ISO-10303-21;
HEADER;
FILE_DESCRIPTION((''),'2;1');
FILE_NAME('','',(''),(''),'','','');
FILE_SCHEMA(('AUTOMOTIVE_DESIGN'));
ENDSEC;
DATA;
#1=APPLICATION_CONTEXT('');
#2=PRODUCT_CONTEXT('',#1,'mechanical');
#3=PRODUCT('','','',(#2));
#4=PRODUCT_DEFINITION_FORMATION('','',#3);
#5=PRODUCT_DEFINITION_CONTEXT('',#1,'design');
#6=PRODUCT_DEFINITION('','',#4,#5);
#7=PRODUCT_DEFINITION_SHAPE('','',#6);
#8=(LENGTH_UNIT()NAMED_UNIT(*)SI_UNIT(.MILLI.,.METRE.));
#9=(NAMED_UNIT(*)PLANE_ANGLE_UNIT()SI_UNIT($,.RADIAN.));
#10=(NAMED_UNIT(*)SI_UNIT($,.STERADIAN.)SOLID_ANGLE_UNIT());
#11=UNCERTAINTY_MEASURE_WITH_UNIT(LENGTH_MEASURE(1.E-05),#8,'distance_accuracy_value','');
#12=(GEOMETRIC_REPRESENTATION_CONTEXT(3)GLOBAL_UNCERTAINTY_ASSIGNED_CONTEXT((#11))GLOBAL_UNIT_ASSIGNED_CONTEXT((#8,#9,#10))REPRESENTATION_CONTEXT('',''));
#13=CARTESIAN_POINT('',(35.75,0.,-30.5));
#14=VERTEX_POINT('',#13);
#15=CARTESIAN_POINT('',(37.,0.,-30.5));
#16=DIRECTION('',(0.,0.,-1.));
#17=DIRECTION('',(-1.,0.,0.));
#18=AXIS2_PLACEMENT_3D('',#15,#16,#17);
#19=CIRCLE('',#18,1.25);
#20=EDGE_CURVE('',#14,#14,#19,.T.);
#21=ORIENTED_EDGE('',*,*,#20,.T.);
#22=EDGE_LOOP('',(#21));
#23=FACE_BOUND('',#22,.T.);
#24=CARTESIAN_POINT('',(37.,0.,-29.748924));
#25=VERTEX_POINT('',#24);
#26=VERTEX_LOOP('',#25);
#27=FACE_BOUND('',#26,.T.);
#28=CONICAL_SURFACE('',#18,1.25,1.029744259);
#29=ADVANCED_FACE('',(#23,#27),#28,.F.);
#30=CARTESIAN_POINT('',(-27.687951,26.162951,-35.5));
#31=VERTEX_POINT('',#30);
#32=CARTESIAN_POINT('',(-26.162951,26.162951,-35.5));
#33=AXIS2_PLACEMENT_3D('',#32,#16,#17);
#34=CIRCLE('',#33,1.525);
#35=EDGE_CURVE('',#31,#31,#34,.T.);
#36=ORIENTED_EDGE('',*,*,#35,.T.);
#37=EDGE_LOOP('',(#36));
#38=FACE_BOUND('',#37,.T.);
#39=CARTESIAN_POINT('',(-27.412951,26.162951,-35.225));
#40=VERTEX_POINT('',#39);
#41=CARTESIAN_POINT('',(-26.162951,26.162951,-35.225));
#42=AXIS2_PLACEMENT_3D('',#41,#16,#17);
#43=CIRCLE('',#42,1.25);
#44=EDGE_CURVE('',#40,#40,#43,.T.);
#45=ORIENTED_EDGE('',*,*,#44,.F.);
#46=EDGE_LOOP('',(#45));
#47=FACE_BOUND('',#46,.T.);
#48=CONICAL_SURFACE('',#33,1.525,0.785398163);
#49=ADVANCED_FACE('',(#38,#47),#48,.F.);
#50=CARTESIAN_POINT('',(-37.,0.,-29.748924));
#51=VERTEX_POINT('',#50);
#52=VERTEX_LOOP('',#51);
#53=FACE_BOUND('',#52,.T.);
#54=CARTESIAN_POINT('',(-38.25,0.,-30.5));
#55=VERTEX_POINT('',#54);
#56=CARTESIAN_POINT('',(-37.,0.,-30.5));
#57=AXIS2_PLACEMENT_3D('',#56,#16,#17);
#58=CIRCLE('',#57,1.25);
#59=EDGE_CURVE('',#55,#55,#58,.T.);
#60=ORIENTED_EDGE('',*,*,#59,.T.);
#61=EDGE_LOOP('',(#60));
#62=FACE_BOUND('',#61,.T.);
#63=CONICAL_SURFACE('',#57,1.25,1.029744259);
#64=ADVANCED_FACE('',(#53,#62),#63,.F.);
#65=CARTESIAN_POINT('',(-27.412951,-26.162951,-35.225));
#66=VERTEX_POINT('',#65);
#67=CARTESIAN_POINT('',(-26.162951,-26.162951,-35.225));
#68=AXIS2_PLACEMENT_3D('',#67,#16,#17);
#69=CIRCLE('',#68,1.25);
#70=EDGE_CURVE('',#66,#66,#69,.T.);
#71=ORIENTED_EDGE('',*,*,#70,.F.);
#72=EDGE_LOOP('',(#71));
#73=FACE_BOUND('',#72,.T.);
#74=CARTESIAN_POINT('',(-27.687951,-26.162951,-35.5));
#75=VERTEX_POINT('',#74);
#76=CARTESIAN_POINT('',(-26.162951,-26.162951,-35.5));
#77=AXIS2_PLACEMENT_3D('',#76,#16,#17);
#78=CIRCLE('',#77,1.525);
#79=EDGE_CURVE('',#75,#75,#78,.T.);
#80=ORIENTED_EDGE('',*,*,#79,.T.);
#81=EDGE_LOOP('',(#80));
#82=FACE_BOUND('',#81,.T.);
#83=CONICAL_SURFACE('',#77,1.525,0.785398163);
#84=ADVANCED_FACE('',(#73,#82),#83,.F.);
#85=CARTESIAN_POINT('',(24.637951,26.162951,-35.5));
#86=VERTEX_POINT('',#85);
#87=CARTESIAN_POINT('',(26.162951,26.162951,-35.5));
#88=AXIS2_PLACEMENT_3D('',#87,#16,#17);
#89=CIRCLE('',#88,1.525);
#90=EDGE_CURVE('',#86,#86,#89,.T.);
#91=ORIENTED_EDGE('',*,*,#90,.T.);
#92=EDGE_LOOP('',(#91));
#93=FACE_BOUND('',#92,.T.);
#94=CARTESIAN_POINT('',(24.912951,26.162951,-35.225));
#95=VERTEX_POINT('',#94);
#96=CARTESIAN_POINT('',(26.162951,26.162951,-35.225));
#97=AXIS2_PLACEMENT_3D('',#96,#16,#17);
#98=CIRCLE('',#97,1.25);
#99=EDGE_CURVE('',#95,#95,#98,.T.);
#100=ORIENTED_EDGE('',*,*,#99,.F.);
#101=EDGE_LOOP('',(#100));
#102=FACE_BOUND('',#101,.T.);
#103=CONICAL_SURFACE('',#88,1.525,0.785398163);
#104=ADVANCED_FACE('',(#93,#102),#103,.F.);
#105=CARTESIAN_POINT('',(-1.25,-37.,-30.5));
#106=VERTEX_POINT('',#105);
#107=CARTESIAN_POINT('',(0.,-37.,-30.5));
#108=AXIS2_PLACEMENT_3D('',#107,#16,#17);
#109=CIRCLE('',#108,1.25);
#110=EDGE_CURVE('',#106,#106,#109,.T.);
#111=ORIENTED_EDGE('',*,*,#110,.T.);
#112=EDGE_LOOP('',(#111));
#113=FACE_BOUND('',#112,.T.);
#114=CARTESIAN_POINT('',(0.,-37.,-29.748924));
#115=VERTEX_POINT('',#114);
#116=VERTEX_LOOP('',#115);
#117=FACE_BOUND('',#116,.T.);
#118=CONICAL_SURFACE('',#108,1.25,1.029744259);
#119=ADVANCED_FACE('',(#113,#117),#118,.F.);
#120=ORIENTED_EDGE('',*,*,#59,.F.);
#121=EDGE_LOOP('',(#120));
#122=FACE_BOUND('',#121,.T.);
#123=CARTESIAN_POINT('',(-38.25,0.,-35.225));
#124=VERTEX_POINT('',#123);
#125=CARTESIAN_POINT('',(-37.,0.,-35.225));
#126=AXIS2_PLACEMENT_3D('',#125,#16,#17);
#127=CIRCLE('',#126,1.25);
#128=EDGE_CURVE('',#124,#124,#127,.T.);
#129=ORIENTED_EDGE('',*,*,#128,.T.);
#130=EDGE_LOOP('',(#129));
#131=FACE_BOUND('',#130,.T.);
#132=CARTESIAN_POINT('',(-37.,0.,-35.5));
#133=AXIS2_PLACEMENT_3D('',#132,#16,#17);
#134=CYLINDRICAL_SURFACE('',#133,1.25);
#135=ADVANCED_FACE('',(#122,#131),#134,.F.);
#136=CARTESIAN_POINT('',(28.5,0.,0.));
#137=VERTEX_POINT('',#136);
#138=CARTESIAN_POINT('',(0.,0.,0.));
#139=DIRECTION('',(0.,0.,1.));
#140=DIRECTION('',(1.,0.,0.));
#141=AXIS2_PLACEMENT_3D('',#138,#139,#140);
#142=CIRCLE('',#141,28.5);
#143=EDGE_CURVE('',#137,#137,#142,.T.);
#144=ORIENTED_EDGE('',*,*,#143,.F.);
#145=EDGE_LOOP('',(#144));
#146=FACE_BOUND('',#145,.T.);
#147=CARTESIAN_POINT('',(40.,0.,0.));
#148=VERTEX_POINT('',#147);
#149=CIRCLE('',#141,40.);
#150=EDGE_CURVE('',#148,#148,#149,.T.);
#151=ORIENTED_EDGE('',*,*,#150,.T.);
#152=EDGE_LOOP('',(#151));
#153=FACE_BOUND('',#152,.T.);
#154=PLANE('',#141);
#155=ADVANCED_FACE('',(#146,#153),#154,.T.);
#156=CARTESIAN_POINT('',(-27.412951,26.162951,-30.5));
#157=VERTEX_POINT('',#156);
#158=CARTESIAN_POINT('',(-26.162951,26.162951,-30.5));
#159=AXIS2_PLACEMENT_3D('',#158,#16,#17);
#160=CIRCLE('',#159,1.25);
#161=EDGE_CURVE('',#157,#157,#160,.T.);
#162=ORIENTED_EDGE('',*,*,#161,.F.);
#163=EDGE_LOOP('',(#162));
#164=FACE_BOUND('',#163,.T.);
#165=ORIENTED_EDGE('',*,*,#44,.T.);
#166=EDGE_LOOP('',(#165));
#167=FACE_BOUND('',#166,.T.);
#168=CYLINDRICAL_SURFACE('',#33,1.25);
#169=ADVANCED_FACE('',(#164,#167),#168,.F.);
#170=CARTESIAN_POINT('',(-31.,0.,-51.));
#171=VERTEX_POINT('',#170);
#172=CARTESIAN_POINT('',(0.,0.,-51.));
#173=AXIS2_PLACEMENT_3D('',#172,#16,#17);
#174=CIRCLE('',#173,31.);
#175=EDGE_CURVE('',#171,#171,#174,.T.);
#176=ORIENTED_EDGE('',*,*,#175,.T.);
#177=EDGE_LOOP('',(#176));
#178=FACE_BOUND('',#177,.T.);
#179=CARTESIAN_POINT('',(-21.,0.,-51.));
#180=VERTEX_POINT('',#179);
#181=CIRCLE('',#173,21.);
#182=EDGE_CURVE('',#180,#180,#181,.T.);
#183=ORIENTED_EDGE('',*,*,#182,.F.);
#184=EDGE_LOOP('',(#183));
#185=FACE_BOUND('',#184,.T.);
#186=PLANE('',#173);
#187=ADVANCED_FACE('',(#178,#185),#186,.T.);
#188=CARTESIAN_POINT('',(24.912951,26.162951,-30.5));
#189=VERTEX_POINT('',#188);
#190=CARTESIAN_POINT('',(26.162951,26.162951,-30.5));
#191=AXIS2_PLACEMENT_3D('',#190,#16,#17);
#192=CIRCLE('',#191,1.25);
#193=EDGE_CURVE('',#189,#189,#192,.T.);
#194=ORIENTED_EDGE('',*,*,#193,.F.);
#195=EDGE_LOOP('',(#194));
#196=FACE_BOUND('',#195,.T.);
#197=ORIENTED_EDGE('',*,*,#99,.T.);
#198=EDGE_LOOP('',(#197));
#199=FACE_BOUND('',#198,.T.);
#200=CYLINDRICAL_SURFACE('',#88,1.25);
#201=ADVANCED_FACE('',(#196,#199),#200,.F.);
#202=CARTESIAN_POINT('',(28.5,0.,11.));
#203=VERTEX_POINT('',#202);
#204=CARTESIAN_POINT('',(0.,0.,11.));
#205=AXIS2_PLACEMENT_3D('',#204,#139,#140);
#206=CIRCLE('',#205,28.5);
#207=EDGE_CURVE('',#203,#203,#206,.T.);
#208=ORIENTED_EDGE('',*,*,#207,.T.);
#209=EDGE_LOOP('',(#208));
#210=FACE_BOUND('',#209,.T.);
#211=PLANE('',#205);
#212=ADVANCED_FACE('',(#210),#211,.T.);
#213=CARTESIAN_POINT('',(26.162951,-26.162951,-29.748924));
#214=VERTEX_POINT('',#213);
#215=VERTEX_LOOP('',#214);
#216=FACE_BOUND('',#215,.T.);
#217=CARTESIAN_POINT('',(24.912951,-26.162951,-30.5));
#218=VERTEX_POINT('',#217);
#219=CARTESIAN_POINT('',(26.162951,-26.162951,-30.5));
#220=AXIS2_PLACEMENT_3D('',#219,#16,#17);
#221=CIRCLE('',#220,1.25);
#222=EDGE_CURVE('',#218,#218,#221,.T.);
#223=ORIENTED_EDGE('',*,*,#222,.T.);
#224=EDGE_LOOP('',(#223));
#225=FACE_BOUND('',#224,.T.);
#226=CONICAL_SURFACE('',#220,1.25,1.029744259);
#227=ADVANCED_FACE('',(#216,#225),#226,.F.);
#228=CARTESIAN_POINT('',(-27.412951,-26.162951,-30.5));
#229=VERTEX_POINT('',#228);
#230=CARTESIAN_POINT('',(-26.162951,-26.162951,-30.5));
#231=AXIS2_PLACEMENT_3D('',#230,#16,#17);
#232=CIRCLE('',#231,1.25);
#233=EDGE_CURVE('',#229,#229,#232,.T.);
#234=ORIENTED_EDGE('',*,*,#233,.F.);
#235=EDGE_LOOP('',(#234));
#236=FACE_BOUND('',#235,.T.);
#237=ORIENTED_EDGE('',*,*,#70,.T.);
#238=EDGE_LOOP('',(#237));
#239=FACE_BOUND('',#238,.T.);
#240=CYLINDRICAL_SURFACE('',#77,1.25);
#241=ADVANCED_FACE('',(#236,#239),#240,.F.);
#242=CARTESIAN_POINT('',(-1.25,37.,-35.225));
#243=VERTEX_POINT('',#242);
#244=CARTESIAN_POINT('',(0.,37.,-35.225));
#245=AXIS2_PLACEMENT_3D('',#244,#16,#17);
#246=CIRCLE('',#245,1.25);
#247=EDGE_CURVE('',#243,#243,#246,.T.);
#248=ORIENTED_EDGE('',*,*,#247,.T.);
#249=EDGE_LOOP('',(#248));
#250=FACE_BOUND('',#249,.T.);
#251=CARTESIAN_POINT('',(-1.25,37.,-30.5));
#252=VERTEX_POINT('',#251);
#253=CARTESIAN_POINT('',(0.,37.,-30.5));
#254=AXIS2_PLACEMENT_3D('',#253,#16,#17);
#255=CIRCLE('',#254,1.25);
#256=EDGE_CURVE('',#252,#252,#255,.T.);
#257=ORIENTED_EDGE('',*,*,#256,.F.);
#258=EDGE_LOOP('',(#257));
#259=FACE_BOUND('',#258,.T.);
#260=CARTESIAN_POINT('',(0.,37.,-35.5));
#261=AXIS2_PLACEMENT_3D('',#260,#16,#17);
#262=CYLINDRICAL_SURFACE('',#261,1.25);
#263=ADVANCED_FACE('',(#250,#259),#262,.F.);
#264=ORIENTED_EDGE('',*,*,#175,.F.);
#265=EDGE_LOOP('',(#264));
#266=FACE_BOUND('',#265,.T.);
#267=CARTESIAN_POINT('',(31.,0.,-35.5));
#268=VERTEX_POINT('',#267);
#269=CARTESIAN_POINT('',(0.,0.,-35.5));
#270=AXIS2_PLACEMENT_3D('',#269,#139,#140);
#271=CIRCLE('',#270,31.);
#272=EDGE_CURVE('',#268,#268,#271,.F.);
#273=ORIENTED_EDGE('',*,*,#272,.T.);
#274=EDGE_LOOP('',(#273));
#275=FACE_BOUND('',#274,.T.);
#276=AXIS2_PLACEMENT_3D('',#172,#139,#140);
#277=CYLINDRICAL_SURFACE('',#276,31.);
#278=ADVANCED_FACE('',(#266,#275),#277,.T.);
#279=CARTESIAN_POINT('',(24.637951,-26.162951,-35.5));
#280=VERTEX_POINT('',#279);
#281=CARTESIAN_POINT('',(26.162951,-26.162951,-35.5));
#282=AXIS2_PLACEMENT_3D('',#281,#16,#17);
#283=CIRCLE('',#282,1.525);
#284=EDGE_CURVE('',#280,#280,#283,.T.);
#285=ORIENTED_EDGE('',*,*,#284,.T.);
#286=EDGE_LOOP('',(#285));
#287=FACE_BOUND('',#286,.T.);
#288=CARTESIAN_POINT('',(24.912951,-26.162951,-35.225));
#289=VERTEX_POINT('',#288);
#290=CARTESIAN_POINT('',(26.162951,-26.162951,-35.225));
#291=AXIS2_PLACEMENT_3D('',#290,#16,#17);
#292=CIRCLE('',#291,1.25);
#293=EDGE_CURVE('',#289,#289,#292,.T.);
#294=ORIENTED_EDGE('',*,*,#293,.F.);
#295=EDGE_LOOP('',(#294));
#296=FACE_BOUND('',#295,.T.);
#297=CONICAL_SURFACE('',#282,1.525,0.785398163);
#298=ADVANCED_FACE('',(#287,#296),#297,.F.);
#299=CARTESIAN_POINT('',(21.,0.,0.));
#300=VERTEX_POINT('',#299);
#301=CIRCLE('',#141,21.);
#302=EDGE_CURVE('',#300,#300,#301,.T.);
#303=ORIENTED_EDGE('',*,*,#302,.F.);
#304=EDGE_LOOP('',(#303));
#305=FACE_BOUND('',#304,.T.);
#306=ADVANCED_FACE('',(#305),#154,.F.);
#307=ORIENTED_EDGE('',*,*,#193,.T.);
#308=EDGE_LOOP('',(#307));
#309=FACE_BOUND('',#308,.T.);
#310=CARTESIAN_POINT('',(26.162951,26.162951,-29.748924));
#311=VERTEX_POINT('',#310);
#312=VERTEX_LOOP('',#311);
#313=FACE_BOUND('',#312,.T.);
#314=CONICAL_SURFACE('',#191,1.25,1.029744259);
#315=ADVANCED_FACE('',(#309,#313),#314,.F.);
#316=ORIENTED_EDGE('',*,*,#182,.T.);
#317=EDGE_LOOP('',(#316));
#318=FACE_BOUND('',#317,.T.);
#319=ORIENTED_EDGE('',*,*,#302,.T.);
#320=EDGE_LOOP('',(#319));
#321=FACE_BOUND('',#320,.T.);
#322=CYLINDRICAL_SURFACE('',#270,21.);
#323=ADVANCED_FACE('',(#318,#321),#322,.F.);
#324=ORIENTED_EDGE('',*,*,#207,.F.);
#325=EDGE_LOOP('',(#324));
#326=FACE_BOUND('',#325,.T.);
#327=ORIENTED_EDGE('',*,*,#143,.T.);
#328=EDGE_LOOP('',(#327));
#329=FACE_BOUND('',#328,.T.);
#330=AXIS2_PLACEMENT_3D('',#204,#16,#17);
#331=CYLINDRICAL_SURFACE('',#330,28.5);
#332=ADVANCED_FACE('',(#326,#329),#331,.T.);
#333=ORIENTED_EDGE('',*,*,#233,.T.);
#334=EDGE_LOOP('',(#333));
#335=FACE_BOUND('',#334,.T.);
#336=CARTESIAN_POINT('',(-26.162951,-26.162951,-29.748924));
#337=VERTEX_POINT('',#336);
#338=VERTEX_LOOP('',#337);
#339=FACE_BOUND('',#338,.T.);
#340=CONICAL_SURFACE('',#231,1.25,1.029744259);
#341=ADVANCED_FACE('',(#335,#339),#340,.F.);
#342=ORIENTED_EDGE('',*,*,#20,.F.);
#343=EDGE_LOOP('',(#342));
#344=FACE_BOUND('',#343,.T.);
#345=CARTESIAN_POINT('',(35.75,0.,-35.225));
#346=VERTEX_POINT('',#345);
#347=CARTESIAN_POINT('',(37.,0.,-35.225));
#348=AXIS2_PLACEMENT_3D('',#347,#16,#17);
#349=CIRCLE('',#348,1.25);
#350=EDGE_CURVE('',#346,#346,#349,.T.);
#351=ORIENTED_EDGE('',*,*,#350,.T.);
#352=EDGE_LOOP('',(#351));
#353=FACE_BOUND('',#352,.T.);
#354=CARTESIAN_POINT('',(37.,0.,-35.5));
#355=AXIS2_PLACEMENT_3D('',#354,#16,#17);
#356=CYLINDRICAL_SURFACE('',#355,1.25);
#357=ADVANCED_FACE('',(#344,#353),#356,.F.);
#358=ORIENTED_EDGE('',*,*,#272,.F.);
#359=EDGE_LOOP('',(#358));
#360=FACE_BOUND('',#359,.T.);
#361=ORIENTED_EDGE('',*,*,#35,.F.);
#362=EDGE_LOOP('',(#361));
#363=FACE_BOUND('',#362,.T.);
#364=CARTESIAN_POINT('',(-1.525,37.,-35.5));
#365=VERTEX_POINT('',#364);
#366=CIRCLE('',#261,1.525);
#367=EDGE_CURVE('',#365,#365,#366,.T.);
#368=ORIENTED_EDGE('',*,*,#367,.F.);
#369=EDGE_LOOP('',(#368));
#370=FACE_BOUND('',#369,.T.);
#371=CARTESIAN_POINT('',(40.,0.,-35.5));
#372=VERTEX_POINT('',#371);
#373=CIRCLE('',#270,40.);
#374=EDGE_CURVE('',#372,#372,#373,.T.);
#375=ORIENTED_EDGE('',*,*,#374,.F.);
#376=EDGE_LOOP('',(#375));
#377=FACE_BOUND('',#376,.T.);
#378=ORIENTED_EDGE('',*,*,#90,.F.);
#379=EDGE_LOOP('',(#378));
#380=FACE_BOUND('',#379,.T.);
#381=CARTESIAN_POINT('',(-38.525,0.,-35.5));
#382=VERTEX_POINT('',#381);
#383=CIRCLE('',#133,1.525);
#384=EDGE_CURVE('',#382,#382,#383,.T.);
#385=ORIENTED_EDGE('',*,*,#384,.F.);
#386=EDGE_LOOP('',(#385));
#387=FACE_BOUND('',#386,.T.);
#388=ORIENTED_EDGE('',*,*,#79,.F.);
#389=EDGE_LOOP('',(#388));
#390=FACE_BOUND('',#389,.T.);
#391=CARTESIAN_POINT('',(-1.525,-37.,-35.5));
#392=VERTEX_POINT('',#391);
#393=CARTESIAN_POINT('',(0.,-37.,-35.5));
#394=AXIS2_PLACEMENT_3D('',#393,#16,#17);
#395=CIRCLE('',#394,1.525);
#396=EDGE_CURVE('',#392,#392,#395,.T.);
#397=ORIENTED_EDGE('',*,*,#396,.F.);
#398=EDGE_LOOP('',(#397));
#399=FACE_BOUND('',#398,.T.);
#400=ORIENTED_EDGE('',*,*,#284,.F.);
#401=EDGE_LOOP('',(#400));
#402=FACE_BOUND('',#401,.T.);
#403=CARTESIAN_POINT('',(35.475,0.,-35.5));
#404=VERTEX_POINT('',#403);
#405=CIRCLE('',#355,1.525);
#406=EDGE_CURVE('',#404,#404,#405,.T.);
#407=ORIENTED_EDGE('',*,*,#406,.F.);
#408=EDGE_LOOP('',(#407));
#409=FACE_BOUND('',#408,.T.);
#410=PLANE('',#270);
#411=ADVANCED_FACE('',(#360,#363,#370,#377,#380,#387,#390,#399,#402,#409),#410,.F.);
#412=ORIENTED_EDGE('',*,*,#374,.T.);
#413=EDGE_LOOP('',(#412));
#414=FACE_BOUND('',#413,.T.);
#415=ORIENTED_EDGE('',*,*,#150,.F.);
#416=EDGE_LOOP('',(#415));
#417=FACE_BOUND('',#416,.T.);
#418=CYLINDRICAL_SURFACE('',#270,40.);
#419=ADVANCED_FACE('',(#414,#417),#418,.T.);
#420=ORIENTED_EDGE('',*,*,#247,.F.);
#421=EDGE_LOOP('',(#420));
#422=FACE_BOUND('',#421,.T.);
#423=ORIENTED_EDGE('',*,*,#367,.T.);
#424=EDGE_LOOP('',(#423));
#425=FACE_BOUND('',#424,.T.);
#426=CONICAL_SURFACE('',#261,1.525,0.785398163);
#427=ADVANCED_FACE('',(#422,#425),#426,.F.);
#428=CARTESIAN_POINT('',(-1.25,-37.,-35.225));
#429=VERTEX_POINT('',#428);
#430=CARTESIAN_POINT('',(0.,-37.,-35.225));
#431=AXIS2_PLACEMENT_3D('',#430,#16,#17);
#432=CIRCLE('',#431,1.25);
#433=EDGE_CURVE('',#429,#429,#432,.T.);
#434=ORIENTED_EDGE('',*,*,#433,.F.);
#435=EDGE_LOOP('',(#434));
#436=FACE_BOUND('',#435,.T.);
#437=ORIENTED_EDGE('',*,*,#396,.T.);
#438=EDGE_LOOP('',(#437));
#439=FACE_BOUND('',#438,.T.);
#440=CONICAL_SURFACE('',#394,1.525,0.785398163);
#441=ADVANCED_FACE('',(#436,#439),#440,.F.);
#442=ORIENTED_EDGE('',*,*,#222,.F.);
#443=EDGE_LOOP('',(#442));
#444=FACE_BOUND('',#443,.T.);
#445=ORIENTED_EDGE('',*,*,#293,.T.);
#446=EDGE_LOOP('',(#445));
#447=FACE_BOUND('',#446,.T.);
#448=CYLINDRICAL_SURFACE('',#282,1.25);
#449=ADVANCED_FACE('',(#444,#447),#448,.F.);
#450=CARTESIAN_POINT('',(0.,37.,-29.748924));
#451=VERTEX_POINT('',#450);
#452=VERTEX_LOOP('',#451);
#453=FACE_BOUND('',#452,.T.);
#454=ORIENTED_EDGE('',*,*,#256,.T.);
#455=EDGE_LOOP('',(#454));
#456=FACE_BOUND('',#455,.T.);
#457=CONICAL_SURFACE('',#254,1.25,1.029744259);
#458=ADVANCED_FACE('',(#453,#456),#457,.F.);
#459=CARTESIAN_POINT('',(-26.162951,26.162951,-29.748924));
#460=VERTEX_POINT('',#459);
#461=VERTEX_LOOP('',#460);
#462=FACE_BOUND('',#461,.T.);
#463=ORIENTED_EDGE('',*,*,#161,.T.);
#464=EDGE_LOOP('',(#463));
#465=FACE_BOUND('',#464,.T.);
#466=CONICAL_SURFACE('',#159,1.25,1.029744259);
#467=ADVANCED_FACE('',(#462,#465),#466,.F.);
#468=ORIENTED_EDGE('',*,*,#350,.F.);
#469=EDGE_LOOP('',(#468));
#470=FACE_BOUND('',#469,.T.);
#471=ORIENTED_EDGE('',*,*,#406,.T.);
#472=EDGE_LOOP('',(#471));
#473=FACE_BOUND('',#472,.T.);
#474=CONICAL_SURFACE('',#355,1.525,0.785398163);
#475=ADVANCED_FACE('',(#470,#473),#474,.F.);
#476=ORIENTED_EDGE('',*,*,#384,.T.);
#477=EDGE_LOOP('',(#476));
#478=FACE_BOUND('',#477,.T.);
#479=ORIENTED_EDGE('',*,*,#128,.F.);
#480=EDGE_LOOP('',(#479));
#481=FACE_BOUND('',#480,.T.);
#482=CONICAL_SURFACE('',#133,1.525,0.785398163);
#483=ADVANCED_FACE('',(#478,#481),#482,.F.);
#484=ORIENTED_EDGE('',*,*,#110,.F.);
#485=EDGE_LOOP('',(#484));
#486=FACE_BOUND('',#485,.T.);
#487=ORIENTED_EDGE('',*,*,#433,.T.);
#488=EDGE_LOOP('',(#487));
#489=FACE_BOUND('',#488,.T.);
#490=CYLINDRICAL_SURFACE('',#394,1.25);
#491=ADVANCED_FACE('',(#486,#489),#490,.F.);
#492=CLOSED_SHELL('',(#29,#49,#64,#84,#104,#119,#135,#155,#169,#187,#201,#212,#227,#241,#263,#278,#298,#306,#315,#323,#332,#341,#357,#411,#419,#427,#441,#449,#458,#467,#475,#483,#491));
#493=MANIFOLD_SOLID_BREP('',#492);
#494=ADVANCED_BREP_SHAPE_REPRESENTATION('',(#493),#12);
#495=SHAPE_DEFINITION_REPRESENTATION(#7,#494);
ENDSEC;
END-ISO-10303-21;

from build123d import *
from build123d.topology import SkipClean

# Parameters (mm, degrees)
SKETCH1_R                   = 28.5
BOSS_EXTRUDE1_DEPTH         = 11
SKETCH1_3_R                 = 40
SKETCH1_3_R_2               = 21
BOSS_EXTRUDE2_DEPTH         = 35.5
M3_TAPPED_HOLE1_D           = 2.5
M3_TAPPED_HOLE1_DEPTH       = 5
M3_TAPPED_HOLE1_CSINK_D     = 3.05
M3_TAPPED_HOLE1_CSINK_ANGLE = 90
M3_TAPPED_HOLE1_TIP         = 0.751075774
SKETCH5_R                   = 31
SKETCH5_R_2                 = 21
BOSS_EXTRUDE3_DEPTH         = 15.5


with BuildPart() as part:
    # Sketch1 → Boss-Extrude1 (new body)
    with BuildSketch(Plane.XY):
        Circle(SKETCH1_R)
    extrude(amount=BOSS_EXTRUDE1_DEPTH)

    # Sketch1<3> → Boss-Extrude2 (add)
    with BuildSketch(Plane.XY):
        Circle(SKETCH1_3_R)
        Circle(SKETCH1_3_R_2, mode=Mode.SUBTRACT)
    extrude(amount=-BOSS_EXTRUDE2_DEPTH)

    # M3 Tapped Hole1
    with Locations(Plane(origin=(0, 0, -35.5), x_dir=(-1, 0, 0), z_dir=(0, 0, -1))):
        with Locations((0, 37), (26.162950904, 26.162950904), (37, 0), (26.162950904, -26.162950904), (0, -37), (-26.162950904, -26.162950904), (-37, 0), (-26.162950904, 26.162950904)):
            CounterSinkHole(M3_TAPPED_HOLE1_D / 2, M3_TAPPED_HOLE1_CSINK_D / 2, depth=M3_TAPPED_HOLE1_DEPTH, counter_sink_angle=M3_TAPPED_HOLE1_CSINK_ANGLE)
            with Locations((0, 0, -(M3_TAPPED_HOLE1_DEPTH + M3_TAPPED_HOLE1_TIP / 2))):  # 118° drill point
                Cone(0, M3_TAPPED_HOLE1_D / 2, M3_TAPPED_HOLE1_TIP, mode=Mode.SUBTRACT)

    # Sketch5 → Boss-Extrude3 (add)
    with SkipClean():  # the faces are left unmerged after this step: merging them gives an invalid solid
        with BuildSketch(Plane(origin=(0, 0, -35.5), x_dir=(-1, 0, 0), z_dir=(0, 0, -1))):
            Circle(SKETCH5_R)
            Circle(SKETCH5_R_2, mode=Mode.SUBTRACT)
        extrude(amount=BOSS_EXTRUDE3_DEPTH)


solid = part.part
